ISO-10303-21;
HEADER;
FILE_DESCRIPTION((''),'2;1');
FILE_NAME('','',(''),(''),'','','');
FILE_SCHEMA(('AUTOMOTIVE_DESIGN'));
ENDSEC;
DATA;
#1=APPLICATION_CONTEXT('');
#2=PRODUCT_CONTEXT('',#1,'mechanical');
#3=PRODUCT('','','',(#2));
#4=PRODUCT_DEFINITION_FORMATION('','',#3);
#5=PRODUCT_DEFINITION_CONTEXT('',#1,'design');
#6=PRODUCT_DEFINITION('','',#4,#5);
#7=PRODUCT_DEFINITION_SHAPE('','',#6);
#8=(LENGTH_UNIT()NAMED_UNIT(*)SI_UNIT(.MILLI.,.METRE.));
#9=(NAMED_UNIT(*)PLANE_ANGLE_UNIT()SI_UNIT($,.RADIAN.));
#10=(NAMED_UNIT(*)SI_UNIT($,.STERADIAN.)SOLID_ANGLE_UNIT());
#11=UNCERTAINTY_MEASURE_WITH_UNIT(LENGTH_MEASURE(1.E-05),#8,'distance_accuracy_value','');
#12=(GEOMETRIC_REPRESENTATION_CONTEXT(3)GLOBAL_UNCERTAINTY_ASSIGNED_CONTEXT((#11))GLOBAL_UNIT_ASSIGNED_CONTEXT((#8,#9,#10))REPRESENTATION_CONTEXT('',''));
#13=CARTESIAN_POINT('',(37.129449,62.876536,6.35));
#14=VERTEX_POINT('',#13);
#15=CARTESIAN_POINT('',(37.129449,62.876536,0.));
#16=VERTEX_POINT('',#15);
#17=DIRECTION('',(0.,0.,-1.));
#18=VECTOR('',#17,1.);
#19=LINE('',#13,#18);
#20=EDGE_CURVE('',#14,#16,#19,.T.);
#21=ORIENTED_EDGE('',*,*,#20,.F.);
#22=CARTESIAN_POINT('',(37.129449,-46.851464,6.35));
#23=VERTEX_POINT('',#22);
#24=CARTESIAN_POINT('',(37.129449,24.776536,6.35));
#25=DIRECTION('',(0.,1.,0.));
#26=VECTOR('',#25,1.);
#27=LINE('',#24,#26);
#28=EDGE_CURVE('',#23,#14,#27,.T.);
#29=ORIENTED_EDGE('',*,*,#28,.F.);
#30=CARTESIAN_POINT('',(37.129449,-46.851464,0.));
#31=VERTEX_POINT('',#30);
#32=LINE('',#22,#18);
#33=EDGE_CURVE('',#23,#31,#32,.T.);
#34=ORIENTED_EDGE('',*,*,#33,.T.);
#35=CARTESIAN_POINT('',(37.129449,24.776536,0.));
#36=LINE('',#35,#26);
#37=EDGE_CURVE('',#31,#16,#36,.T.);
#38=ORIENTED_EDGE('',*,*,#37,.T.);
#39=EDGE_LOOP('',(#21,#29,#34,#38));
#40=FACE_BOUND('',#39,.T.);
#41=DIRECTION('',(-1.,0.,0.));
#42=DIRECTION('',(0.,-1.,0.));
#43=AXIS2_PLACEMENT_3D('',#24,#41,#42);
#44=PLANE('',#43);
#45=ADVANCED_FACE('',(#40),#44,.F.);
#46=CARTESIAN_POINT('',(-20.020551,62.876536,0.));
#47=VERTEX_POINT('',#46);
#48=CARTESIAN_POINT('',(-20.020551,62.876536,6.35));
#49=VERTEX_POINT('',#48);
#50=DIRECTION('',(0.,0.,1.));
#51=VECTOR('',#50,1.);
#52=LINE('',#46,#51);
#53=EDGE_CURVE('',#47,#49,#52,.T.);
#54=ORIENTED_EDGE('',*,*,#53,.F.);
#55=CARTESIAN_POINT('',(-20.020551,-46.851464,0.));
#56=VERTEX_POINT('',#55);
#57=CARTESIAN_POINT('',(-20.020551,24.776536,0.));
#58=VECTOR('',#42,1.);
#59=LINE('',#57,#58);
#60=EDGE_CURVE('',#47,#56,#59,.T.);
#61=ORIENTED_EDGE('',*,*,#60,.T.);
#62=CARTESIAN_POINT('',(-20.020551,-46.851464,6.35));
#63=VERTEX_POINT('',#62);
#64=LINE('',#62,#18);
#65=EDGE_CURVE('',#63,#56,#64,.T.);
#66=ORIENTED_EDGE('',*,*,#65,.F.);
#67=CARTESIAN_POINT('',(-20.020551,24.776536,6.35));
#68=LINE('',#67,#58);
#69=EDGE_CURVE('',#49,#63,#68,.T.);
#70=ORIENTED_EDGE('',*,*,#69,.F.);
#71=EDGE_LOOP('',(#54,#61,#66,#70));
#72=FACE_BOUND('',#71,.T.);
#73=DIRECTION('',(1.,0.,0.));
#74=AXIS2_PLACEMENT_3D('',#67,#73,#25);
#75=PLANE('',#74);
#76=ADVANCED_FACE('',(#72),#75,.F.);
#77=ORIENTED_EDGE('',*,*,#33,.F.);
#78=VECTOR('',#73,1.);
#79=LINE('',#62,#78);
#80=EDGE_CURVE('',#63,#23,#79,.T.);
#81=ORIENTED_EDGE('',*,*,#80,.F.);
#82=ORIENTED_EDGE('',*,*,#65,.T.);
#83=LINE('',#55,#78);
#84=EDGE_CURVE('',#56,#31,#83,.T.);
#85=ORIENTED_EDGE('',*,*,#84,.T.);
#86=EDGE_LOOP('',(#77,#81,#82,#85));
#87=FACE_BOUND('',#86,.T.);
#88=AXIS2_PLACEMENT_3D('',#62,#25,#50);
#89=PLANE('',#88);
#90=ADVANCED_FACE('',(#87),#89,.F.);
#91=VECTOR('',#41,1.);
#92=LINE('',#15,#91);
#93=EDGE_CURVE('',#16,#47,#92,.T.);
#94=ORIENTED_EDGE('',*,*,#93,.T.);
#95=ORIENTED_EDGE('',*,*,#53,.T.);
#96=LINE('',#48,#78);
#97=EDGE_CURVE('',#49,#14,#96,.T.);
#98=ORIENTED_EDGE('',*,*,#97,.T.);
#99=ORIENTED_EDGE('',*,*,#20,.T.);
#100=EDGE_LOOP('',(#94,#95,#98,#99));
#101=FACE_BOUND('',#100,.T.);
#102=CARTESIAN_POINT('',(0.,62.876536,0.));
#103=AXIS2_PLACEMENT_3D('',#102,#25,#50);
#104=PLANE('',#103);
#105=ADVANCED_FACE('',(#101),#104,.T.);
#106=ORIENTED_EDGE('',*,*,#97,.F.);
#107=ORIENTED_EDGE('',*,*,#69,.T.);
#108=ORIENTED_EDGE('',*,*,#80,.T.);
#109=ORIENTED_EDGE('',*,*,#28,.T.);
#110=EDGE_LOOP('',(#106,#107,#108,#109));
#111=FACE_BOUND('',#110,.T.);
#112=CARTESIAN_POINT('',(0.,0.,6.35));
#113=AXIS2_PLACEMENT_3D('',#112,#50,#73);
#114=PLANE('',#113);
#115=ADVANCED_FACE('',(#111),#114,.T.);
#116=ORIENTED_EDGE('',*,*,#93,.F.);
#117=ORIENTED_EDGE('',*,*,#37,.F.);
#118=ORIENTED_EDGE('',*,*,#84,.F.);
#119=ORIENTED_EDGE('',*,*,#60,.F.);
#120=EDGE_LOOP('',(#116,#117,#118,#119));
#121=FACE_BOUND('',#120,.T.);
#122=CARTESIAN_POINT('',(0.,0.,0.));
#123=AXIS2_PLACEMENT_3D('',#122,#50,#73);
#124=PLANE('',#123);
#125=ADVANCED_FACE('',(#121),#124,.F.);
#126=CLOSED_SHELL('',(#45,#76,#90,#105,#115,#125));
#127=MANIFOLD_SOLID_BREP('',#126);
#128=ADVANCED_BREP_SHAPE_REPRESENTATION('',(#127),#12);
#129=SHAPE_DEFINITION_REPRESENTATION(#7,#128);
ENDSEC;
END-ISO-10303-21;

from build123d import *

# Parameters (mm, degrees)
SKETCH1_W           = 57.15
SKETCH1_H           = 71.628
BOSS_EXTRUDE1_DEPTH = 6.35
SKETCH2_W           = 57.15
SKETCH2_H           = 6.35
BOSS_EXTRUDE2_DEPTH = 38.1


with BuildPart() as part:
    # Sketch1 → Boss-Extrude1 (new body)
    with BuildSketch(Plane.XY):
        with Locations((8.55444936, -11.037464326)):
            Rectangle(SKETCH1_W, SKETCH1_H)
    extrude(amount=BOSS_EXTRUDE1_DEPTH)

    # Sketch2 → Boss-Extrude2 (add)
    with BuildSketch(Plane(origin=(0, 24.776535674, 0), x_dir=(1, 0, 0), z_dir=(0, 1, 0))):
        with Locations((8.55444936, -3.175)):
            Rectangle(SKETCH2_W, SKETCH2_H)
    extrude(amount=BOSS_EXTRUDE2_DEPTH)


solid = part.part
